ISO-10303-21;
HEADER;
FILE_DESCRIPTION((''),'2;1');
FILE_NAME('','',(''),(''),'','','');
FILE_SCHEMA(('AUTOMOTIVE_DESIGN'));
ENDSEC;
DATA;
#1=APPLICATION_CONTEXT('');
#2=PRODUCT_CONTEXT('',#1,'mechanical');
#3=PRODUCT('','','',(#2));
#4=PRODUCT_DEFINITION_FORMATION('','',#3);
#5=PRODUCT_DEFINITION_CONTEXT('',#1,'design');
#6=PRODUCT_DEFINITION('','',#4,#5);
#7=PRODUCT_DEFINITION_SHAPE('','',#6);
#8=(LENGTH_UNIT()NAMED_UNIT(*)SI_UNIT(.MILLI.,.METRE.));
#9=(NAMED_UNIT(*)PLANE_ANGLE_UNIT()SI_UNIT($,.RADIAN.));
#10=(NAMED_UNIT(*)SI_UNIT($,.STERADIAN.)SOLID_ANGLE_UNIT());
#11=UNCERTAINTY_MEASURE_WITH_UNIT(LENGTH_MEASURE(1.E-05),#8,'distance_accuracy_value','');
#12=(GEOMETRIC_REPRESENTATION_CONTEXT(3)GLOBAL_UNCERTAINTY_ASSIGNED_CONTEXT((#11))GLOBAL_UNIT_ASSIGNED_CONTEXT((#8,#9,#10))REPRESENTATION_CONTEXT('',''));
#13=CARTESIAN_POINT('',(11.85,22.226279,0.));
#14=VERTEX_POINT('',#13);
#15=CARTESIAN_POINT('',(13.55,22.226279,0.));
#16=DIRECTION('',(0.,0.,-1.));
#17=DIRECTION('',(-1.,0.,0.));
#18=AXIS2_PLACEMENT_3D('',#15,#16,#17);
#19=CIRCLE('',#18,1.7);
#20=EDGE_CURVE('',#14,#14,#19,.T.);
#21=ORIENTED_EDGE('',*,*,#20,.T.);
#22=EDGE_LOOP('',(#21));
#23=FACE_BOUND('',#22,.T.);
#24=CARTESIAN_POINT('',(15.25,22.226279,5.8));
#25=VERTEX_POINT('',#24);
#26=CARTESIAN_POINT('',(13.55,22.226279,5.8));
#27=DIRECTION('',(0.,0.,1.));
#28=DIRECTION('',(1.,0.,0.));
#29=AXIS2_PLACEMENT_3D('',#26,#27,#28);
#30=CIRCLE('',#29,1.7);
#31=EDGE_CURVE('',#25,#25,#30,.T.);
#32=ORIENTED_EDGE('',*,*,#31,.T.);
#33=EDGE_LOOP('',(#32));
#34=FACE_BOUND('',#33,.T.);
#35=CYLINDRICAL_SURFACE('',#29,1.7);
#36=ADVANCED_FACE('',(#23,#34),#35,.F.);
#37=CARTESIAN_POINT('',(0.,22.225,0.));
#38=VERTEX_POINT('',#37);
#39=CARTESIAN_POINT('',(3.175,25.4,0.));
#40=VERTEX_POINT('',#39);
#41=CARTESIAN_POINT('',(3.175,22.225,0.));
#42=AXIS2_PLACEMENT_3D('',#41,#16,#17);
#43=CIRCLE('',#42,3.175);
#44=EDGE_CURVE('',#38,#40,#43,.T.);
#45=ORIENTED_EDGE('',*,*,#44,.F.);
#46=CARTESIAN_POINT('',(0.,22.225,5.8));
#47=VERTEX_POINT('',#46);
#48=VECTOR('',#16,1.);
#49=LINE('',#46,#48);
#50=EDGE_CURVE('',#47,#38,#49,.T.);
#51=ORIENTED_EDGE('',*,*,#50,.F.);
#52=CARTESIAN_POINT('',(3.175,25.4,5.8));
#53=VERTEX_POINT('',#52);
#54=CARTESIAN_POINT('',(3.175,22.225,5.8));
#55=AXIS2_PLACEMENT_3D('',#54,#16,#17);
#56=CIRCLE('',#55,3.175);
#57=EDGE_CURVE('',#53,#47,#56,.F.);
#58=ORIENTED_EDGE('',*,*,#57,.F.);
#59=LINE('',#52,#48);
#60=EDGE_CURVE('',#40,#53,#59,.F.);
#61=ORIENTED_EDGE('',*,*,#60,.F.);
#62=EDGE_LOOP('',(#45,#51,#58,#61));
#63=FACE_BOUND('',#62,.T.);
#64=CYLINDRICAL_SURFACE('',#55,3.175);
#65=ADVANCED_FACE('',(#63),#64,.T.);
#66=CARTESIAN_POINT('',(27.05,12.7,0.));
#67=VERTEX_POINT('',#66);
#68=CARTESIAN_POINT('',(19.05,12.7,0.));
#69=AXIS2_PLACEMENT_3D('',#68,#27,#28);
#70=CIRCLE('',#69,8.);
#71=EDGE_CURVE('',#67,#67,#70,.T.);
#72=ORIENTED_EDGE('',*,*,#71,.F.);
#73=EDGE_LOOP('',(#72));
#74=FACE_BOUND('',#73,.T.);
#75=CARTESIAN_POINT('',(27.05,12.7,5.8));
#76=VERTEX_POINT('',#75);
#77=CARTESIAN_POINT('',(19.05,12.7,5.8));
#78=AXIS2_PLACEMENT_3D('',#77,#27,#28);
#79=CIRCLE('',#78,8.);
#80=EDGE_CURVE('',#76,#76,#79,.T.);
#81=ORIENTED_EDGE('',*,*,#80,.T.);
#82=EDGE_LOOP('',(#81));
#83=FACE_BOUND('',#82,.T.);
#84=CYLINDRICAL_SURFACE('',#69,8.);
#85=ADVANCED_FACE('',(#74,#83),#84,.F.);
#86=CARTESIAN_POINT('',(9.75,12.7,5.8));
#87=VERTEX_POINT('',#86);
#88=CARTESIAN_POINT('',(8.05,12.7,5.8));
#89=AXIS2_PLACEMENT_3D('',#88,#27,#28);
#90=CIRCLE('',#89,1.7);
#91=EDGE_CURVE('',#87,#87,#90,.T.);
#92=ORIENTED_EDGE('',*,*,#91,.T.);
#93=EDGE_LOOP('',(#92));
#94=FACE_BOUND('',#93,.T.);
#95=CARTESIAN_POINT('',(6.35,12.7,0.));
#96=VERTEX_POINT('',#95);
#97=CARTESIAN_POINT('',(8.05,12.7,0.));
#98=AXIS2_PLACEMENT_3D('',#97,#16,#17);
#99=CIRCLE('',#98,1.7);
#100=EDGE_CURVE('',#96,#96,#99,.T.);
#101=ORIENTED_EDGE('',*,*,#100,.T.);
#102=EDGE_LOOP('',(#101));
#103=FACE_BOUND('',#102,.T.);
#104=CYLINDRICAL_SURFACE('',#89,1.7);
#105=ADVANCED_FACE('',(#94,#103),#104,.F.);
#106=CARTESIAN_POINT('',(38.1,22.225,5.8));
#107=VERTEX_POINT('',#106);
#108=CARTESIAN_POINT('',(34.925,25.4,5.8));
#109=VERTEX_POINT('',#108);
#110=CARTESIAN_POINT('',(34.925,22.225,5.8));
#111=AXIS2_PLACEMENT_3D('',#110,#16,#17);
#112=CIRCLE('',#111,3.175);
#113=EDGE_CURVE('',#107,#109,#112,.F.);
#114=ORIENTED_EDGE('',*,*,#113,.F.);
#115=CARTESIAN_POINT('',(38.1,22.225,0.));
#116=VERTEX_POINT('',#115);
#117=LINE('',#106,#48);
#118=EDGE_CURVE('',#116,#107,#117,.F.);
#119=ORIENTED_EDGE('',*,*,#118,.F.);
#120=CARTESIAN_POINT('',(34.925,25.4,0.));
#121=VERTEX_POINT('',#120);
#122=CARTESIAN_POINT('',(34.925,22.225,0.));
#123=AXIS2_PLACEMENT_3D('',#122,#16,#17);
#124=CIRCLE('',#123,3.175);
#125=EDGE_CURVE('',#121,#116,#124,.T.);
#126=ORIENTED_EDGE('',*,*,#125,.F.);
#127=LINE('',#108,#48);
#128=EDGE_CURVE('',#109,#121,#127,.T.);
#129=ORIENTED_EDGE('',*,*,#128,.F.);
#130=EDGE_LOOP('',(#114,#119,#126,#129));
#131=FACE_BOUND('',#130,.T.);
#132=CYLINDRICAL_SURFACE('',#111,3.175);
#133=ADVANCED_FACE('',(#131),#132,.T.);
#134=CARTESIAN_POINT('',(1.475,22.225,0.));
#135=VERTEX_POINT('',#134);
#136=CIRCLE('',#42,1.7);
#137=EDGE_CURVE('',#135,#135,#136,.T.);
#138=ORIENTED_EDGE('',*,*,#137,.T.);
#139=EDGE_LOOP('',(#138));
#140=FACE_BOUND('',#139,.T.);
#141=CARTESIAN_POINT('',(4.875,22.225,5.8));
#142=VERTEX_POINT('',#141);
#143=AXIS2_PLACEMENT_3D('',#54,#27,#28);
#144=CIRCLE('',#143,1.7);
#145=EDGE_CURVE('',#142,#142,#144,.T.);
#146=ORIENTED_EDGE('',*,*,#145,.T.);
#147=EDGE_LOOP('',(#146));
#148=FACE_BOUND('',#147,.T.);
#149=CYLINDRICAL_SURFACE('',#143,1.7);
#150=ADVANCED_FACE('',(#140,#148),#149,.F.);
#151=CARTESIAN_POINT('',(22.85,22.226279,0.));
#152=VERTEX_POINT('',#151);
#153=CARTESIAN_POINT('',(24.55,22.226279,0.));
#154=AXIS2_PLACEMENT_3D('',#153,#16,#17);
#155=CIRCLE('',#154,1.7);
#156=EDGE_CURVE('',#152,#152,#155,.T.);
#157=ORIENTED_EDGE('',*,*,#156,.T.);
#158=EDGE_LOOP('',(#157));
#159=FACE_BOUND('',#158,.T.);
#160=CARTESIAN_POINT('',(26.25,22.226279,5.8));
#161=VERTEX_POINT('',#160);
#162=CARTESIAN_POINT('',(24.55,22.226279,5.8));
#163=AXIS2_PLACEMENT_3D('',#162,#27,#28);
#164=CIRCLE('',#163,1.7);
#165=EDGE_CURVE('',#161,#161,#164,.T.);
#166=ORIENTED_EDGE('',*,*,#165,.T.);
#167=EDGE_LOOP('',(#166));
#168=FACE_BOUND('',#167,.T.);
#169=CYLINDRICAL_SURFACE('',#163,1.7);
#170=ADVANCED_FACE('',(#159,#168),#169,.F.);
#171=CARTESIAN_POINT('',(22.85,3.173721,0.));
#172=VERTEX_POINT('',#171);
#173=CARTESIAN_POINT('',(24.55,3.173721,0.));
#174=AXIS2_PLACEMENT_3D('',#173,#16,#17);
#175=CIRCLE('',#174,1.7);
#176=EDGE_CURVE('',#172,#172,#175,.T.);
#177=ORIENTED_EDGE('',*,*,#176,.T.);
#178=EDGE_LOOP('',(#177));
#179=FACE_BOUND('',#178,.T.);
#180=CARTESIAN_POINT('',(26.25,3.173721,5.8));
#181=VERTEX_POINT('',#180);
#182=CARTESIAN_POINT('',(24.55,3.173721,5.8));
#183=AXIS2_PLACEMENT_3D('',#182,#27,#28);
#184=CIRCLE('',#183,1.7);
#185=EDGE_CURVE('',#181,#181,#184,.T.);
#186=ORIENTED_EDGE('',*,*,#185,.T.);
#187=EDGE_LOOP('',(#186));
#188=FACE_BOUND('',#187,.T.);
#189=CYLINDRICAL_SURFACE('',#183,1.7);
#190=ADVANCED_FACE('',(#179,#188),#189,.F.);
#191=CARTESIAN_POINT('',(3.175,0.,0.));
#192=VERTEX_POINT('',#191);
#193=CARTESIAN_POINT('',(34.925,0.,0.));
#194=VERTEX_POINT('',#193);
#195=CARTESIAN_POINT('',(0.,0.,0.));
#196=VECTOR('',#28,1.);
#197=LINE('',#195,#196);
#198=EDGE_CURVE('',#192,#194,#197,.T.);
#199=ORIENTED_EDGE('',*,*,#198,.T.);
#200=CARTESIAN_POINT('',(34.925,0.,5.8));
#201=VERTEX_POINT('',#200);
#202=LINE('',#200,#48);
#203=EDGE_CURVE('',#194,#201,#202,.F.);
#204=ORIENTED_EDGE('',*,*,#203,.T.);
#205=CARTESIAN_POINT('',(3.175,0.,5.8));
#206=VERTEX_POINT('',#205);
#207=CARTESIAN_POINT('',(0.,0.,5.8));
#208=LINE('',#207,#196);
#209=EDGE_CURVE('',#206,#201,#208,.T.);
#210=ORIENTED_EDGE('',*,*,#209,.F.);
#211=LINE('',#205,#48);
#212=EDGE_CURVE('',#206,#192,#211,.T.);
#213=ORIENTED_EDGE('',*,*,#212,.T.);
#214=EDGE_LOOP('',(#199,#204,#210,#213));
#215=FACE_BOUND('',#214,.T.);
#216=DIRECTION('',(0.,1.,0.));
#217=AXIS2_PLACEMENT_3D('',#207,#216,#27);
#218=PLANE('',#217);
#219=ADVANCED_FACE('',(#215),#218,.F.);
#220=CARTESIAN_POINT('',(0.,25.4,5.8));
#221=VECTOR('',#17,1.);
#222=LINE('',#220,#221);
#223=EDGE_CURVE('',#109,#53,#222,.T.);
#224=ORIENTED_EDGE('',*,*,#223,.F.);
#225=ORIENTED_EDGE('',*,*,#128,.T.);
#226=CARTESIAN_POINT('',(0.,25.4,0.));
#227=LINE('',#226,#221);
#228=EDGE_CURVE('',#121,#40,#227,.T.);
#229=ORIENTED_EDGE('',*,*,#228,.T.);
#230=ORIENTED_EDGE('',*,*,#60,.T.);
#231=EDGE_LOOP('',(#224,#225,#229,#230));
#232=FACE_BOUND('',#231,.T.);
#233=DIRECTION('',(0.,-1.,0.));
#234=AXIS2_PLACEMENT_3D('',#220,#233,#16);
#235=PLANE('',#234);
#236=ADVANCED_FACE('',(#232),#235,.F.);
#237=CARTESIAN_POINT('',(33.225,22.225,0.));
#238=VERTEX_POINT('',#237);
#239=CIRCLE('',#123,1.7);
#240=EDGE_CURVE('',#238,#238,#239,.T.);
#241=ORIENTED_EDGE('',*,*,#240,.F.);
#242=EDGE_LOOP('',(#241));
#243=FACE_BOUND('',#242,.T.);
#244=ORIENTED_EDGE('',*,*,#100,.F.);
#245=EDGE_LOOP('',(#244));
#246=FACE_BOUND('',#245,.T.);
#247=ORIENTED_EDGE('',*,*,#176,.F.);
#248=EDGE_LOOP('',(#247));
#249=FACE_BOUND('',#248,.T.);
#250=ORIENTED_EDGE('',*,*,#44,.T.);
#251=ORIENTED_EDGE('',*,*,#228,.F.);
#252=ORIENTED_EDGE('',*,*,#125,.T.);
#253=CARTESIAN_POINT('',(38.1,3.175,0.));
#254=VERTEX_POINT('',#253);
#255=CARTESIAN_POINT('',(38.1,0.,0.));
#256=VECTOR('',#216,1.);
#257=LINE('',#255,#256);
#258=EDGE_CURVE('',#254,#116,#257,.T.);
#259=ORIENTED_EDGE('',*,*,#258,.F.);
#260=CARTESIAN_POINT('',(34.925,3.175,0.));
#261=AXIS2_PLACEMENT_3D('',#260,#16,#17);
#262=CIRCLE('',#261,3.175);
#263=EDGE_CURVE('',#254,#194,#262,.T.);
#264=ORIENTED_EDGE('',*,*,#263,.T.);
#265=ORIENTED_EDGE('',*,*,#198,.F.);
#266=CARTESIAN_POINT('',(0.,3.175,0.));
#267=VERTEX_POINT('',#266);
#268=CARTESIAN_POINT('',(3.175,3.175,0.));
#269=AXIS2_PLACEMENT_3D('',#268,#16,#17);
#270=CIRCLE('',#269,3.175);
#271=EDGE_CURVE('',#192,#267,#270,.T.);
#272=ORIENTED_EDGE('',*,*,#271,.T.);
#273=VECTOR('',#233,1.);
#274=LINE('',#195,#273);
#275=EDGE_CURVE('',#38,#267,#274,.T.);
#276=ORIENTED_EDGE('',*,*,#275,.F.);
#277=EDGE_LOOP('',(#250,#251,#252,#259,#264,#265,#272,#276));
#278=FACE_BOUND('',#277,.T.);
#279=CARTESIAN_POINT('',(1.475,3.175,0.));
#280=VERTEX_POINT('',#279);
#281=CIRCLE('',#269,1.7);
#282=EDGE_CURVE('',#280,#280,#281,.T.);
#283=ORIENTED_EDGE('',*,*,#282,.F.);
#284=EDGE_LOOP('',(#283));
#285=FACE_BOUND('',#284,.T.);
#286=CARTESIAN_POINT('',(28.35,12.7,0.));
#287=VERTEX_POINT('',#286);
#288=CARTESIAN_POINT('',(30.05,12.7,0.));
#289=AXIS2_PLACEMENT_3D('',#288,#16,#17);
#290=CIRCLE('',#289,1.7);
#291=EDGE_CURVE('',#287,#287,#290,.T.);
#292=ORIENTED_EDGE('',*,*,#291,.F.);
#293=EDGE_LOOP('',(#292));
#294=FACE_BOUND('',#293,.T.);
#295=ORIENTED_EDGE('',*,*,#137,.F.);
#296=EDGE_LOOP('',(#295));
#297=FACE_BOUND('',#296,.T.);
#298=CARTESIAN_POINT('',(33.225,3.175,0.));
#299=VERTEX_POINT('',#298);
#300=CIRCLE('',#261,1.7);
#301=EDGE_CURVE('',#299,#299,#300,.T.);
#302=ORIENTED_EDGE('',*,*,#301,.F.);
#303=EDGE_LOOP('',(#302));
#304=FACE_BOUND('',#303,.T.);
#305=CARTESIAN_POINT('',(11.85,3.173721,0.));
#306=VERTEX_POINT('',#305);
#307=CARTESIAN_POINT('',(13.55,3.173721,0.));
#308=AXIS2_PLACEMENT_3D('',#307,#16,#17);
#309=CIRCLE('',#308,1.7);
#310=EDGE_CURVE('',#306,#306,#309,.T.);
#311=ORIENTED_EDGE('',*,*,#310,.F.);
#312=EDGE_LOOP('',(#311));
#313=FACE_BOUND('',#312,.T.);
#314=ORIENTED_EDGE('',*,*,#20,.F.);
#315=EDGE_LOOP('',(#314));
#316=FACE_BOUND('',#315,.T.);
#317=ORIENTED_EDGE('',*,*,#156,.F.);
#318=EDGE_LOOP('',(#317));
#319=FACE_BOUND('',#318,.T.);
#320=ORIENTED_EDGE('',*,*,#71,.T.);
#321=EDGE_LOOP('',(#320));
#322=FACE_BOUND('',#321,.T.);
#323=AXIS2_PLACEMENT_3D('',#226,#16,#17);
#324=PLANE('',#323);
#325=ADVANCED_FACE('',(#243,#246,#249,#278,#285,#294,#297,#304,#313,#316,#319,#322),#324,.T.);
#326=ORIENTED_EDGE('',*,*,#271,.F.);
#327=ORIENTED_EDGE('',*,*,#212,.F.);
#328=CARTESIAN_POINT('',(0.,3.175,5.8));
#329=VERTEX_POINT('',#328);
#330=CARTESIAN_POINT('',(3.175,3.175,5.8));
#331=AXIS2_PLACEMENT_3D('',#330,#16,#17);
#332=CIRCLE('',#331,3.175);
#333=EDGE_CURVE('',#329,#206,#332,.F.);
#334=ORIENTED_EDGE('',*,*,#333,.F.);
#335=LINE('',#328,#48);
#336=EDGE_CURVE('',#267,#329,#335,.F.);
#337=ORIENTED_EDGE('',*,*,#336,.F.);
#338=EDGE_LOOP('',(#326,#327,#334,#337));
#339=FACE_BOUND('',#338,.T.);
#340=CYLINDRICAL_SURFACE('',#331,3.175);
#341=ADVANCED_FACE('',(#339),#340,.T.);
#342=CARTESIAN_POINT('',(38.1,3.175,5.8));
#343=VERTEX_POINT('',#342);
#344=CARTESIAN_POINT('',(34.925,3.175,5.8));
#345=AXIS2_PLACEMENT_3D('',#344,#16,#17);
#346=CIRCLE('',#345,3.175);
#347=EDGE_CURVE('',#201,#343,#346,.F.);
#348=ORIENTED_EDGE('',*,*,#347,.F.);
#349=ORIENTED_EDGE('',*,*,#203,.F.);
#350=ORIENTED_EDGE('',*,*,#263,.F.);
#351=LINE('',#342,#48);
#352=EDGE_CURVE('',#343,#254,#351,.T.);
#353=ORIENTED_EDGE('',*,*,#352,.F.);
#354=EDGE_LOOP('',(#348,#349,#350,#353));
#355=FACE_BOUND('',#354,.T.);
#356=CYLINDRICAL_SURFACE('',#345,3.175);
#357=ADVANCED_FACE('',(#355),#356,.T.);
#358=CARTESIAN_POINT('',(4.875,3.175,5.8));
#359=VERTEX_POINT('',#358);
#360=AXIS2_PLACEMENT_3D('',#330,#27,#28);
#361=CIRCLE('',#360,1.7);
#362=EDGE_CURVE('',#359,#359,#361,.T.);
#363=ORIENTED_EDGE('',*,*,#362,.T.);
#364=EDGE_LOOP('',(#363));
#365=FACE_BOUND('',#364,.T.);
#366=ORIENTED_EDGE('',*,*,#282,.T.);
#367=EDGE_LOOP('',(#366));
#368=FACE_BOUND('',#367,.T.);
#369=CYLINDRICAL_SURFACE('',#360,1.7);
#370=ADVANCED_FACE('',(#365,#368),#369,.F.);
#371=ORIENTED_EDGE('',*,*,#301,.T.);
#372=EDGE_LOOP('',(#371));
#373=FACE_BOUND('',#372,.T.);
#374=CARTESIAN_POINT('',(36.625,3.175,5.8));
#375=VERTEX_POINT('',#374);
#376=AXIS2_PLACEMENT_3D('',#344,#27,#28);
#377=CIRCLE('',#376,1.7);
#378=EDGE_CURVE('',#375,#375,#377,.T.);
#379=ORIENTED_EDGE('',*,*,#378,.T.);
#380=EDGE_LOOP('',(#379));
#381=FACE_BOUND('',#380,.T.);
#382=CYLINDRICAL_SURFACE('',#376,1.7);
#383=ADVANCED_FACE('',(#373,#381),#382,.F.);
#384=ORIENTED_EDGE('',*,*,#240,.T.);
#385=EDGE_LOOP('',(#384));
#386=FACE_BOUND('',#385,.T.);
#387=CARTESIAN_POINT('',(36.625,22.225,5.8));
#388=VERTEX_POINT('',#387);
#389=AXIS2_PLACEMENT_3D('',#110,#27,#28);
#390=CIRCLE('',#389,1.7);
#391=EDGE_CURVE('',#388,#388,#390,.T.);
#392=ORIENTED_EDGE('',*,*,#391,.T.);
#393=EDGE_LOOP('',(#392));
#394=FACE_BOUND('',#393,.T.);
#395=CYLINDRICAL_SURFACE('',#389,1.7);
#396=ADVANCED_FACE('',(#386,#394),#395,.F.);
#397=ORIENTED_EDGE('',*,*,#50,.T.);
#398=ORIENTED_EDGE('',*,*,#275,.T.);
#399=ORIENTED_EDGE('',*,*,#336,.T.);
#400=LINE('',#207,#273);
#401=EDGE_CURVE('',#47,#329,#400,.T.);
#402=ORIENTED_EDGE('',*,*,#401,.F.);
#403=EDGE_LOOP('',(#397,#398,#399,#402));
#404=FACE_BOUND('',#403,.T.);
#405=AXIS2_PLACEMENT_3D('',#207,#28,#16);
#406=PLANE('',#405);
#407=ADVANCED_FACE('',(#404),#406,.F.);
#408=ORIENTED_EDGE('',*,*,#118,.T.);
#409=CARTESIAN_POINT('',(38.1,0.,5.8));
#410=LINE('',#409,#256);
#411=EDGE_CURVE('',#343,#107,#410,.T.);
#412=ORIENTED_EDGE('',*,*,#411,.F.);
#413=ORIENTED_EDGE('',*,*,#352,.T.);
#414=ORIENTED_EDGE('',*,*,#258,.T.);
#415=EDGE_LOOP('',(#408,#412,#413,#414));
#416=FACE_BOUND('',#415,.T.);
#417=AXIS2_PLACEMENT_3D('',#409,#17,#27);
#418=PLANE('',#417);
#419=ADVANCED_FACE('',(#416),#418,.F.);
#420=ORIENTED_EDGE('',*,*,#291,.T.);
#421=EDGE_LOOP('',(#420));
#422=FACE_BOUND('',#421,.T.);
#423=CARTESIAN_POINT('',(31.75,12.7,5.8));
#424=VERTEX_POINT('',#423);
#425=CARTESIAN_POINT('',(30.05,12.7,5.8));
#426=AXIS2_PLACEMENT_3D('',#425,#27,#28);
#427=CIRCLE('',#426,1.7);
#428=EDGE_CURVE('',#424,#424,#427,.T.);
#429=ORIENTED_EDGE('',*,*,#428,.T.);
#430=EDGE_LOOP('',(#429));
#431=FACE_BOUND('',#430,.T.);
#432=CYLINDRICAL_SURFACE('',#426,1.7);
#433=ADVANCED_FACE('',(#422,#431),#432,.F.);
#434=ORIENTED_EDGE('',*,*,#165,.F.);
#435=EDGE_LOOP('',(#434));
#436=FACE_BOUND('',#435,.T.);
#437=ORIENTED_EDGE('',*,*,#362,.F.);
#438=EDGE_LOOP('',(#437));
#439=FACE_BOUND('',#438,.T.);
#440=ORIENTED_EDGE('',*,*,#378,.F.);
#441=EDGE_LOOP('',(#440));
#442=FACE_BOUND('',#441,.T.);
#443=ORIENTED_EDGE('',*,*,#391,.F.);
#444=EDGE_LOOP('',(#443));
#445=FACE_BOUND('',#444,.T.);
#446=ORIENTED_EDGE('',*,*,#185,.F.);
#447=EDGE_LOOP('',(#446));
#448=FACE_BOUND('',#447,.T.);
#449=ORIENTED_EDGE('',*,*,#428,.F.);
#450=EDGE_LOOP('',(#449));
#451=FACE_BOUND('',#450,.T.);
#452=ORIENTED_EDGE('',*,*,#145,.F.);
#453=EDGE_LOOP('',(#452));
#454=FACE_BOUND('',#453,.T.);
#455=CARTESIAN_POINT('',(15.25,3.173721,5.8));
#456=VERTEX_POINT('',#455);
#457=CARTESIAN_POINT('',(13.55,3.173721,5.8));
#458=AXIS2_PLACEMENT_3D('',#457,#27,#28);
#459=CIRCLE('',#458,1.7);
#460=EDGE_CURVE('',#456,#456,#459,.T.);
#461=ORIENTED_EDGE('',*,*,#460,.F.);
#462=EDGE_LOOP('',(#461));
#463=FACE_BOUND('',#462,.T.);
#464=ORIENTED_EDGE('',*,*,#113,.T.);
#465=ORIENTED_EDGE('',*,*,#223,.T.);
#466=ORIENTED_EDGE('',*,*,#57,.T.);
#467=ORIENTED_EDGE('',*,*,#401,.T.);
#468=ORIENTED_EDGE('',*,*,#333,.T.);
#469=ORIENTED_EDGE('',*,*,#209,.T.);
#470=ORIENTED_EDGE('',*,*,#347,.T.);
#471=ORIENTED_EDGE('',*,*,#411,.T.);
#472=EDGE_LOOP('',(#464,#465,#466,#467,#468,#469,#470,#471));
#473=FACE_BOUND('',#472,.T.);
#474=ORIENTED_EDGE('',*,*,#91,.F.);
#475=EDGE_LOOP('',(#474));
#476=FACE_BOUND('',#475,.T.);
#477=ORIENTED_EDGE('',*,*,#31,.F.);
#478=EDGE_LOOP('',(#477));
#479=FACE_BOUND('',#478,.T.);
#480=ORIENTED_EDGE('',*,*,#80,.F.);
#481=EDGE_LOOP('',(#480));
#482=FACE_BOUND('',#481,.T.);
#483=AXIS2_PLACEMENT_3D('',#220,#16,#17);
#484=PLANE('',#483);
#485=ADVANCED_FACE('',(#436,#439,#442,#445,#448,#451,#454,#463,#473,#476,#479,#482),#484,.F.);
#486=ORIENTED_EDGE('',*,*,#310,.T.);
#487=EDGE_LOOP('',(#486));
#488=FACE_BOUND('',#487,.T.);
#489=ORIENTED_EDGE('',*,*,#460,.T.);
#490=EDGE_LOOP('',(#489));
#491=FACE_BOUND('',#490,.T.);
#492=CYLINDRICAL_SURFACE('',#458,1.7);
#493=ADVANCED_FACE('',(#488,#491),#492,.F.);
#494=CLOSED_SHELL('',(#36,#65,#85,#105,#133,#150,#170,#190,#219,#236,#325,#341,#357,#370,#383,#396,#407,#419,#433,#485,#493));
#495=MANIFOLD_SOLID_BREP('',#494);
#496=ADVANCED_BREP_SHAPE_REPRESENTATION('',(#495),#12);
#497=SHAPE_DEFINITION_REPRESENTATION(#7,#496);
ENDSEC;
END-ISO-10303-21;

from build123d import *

# Parameters (mm, degrees)
SKETCH1_W                = 38.1
SKETCH1_H                = 25.4
BOSS_EXTRUDE1_DEPTH      = 5.8
SKETCH2_R                = 8
CUT_EXTRUDE1_DEPTH       = 47.156364675
M3_CLEARANCE_HOLE1_D     = 3.4
M3_CLEARANCE_HOLE1_DEPTH = 6.35
M3_CLEARANCE_HOLE1_TIP   = 1.021463052
M3_CLEARANCE_HOLE2_D     = 3.4
M3_CLEARANCE_HOLE2_DEPTH = 6.35
M3_CLEARANCE_HOLE2_TIP   = 1.021463052
FILLET1_R                = 3.175


with BuildPart() as part:
    # Sketch1 → Boss-Extrude1 (new body)
    with BuildSketch(Plane.XY):
        with Locations((19.05, 12.7)):
            Rectangle(SKETCH1_W, SKETCH1_H)
    extrude(amount=BOSS_EXTRUDE1_DEPTH)

    # Sketch2 → Cut-Extrude1 (cut, through all)
    with BuildSketch(Plane.XY.offset(5.8)):
        with Locations((19.05, 12.7)):
            Circle(SKETCH2_R)
    extrude(amount=-CUT_EXTRUDE1_DEPTH, mode=Mode.SUBTRACT)

    # M3 Clearance Hole1
    with Locations(Plane.XY.offset(5.8)):
        with Locations((30.05, 12.7), (24.55, 22.226279442), (13.55, 22.226279442), (8.05, 12.7), (13.55, 3.173720558), (24.55, 3.173720558)):
            Hole(M3_CLEARANCE_HOLE1_D / 2, depth=M3_CLEARANCE_HOLE1_DEPTH)
            with Locations((0, 0, -(M3_CLEARANCE_HOLE1_DEPTH + M3_CLEARANCE_HOLE1_TIP / 2))):  # 118° drill point
                Cone(0, M3_CLEARANCE_HOLE1_D / 2, M3_CLEARANCE_HOLE1_TIP, mode=Mode.SUBTRACT)

    # M3 Clearance Hole2
    with Locations(Plane.XY.offset(5.8)):
        with Locations((3.175, 22.225), (34.925, 22.225), (34.925, 3.175), (3.175, 3.175)):
            Hole(M3_CLEARANCE_HOLE2_D / 2, depth=M3_CLEARANCE_HOLE2_DEPTH)
            with Locations((0, 0, -(M3_CLEARANCE_HOLE2_DEPTH + M3_CLEARANCE_HOLE2_TIP / 2))):  # 118° drill point
                Cone(0, M3_CLEARANCE_HOLE2_D / 2, M3_CLEARANCE_HOLE2_TIP, mode=Mode.SUBTRACT)

    # Fillet1
    fillet1_edges = [part.edges().sort_by_distance(p)[0] for p in [
        (0, 25.4, 2.9),
        (38.1, 25.4, 2.9),
        (38.1, 0, 2.9),
        (0, 0, 2.9),
    ]]
    fillet(fillet1_edges, radius=FILLET1_R)


solid = part.part
